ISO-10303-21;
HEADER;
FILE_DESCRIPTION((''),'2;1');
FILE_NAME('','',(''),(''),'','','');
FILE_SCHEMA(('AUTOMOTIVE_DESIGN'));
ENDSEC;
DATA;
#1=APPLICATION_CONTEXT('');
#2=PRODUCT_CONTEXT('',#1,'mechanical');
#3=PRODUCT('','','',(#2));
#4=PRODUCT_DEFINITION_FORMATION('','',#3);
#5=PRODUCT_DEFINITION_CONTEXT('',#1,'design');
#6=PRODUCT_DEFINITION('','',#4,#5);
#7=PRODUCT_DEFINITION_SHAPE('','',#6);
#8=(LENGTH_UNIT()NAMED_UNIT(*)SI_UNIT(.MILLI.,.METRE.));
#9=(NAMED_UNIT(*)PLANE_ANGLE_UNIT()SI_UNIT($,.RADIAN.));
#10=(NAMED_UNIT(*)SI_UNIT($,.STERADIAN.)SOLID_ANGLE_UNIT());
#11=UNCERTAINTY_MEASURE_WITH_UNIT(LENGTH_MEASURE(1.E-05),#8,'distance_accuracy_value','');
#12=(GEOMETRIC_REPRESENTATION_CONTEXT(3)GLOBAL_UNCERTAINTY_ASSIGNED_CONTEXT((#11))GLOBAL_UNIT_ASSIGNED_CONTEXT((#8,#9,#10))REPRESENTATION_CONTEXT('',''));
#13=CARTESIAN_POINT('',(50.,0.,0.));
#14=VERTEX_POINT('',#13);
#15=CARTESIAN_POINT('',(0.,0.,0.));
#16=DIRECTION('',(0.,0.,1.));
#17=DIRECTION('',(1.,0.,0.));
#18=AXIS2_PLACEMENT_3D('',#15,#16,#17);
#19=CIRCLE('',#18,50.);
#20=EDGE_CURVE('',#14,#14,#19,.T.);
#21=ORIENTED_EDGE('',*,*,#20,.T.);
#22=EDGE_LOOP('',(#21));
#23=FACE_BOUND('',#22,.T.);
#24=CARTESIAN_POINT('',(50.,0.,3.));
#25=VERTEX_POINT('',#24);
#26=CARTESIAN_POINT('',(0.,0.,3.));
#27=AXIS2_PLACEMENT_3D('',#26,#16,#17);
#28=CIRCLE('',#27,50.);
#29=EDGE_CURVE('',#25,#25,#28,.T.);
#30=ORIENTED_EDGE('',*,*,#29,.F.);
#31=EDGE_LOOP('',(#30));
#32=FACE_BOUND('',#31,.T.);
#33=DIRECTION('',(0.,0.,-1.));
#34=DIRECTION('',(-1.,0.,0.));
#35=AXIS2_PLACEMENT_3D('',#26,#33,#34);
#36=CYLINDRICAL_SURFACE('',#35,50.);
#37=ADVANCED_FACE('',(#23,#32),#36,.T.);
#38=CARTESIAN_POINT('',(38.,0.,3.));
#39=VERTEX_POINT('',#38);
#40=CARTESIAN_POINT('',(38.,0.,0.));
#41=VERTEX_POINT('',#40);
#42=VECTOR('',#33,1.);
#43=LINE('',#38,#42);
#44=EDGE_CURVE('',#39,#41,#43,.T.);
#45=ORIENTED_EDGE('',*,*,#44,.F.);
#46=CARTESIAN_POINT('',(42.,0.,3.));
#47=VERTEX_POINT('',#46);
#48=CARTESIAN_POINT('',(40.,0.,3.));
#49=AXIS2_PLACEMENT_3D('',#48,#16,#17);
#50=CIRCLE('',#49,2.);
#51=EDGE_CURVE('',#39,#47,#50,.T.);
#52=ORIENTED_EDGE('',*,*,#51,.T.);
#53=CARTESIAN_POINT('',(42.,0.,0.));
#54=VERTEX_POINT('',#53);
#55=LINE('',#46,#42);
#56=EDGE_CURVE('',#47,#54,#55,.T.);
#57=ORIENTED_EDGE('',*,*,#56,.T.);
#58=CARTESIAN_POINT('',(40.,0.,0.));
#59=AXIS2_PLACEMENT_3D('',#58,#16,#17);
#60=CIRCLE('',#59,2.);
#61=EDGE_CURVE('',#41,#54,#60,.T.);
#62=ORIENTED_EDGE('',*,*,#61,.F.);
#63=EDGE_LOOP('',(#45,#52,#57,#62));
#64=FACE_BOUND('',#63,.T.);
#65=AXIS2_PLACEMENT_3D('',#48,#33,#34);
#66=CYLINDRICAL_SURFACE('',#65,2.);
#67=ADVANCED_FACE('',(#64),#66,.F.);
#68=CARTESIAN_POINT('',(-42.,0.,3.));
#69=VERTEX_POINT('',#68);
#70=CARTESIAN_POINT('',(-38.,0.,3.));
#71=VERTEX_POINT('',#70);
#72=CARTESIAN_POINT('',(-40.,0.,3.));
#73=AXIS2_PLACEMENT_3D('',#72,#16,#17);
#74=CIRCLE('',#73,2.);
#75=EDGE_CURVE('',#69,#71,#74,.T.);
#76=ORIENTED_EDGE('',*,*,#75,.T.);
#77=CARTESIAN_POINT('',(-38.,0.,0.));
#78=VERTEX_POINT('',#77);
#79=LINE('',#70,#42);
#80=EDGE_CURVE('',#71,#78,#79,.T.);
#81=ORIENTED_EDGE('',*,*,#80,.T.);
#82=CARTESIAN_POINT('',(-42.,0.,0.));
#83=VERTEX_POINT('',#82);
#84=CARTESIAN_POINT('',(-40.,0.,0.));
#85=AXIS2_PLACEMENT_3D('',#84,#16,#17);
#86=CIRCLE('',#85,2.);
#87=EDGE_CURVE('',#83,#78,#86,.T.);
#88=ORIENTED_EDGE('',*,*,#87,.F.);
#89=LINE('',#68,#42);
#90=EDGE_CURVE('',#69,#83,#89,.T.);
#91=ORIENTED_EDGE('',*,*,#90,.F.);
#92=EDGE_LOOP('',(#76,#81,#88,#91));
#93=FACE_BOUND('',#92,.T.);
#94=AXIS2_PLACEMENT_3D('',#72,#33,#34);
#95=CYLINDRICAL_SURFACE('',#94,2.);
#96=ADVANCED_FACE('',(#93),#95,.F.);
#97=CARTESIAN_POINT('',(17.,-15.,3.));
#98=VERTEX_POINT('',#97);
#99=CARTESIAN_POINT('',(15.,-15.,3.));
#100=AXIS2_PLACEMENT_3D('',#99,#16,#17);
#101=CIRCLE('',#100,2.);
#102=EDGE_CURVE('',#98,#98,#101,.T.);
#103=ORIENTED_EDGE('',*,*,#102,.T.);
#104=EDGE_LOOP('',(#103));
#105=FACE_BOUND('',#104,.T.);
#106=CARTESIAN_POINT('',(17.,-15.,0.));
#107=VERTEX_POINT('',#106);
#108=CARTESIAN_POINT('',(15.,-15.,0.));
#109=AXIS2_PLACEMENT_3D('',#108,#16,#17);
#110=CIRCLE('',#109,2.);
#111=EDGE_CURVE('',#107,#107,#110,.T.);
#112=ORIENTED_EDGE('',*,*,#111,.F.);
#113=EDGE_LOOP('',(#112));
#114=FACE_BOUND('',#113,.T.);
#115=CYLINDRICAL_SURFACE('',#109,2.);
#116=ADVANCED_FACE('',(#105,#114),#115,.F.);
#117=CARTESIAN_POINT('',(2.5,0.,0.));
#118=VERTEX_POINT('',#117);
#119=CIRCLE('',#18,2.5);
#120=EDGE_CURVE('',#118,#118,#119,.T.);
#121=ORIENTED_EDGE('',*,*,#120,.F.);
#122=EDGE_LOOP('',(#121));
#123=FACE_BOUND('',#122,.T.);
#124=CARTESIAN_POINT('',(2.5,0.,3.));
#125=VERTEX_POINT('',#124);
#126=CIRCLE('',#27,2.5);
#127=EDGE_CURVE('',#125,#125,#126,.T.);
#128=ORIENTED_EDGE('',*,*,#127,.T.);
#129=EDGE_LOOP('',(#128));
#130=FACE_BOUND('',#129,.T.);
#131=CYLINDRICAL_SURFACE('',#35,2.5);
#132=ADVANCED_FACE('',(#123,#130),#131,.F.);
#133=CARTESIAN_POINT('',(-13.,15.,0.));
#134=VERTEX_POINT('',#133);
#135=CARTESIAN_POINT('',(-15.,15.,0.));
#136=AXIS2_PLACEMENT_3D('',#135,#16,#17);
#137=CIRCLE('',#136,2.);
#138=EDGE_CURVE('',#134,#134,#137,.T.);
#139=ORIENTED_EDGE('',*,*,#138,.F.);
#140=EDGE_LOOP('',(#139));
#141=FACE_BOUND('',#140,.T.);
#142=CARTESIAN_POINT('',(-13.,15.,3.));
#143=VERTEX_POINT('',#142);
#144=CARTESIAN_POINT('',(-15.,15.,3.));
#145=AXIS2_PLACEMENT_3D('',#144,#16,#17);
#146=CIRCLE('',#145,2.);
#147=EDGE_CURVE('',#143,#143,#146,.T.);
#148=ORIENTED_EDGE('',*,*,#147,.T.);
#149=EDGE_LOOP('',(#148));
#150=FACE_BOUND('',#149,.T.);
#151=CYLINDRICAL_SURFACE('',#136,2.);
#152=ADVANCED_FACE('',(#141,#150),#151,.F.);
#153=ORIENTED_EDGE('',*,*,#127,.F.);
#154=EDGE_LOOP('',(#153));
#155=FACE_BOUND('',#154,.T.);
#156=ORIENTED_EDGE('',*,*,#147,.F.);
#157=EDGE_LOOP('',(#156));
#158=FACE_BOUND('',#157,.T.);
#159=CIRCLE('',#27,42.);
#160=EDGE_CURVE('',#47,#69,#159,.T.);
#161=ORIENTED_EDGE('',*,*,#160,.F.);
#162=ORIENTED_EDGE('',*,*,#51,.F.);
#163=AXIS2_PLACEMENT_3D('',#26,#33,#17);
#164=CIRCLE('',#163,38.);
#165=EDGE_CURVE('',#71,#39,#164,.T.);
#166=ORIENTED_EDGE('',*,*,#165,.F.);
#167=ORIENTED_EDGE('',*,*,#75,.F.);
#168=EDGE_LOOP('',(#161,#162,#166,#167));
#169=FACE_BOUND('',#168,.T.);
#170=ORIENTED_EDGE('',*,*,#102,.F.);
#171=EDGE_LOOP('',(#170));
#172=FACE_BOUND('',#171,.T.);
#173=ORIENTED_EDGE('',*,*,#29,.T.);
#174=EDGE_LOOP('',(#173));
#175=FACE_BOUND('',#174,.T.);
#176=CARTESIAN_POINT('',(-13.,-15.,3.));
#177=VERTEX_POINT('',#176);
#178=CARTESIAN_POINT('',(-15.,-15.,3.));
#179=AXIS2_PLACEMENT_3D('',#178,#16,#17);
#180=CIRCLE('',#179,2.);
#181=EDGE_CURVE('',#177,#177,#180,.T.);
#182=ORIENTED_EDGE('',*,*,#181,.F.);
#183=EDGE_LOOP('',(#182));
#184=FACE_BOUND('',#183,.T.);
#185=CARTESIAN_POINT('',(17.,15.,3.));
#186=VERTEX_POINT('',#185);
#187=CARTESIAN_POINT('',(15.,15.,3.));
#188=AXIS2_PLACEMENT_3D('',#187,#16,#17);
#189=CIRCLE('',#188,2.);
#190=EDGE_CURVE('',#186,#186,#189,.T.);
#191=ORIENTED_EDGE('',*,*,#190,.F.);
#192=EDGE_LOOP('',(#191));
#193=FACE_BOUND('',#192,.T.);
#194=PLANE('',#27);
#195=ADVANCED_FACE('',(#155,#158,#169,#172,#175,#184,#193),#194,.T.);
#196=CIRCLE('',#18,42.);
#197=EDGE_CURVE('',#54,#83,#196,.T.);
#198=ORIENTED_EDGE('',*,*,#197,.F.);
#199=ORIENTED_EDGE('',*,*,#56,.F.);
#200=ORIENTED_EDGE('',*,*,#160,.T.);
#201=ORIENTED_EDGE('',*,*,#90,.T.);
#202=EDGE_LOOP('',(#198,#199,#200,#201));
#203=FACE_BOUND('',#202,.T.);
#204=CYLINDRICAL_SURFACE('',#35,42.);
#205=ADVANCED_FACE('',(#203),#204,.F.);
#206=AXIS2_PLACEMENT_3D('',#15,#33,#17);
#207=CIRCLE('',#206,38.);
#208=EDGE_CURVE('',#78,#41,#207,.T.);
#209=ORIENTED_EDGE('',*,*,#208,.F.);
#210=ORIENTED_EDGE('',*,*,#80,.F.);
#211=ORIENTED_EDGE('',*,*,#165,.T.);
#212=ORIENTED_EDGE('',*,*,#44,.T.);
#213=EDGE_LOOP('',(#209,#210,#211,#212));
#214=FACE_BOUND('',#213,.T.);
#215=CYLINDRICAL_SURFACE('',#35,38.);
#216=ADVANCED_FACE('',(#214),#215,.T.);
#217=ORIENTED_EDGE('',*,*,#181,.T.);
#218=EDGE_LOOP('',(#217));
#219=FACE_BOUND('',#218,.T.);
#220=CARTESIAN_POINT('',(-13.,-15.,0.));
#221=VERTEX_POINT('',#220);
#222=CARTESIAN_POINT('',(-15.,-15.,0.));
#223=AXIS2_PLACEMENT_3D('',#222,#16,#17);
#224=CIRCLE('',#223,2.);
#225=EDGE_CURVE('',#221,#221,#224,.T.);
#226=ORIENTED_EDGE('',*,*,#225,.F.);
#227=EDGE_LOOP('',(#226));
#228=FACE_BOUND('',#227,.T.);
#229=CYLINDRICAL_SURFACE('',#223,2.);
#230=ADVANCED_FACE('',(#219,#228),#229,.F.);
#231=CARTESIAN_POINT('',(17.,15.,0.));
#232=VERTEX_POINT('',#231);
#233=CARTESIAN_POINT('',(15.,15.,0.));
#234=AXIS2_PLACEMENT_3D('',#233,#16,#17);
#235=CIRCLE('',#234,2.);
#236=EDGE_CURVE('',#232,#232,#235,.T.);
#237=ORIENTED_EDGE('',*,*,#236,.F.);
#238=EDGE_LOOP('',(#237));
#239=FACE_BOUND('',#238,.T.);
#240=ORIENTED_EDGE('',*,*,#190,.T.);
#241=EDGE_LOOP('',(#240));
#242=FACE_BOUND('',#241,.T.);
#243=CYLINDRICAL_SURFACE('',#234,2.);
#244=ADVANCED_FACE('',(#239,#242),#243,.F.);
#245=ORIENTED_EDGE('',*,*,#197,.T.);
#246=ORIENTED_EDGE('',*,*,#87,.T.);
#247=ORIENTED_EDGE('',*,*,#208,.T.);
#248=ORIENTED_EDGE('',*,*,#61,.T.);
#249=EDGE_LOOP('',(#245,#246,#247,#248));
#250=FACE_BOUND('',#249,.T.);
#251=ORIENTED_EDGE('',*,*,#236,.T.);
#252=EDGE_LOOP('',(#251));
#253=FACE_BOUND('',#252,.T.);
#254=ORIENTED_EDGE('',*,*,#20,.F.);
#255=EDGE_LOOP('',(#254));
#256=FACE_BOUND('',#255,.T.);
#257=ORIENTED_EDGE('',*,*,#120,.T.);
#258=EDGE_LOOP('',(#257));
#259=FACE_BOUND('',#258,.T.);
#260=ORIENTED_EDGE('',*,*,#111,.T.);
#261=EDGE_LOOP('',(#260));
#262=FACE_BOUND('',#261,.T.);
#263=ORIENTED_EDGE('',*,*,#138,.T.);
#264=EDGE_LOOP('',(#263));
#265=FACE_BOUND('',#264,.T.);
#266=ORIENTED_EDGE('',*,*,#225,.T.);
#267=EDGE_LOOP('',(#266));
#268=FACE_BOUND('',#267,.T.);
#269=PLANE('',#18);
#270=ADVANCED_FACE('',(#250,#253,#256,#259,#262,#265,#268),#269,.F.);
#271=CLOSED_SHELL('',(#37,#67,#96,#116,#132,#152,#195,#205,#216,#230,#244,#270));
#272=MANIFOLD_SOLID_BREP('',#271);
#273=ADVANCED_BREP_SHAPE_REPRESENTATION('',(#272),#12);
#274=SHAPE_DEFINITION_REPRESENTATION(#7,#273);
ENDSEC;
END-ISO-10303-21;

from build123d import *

# Parameters (mm, degrees)
SKETCH1_R           = 50
SKETCH1_R_2         = 2.5
BOSS_EXTRUDE1_DEPTH = 3
SKETCH2_R           = 2
CUT_EXTRUDE1_DEPTH  = 4


with BuildPart() as part:
    # Sketch1 → Boss-Extrude1 (new body)
    with BuildSketch(Plane.XY):
        Circle(SKETCH1_R)
        Circle(SKETCH1_R_2, mode=Mode.SUBTRACT)
        with BuildLine():
            ThreePointArc((42, 0), (0, 42), (-42, 0))
            ThreePointArc((-42, 0), (-40, -2), (-38, 0))
            ThreePointArc((-38, 0), (0, 38), (38, 0))
            ThreePointArc((38, 0), (40, -2), (42, 0))
        make_face(mode=Mode.SUBTRACT)
    extrude(amount=BOSS_EXTRUDE1_DEPTH)

    # Sketch2 → Cut-Extrude1 (cut, through all)
    with BuildSketch(Plane.XY.offset(3)):
        with Locations((-15, 15)):
            Circle(SKETCH2_R)
        with Locations((15, 15)):
            Circle(SKETCH2_R)
        with Locations((15, -15)):
            Circle(SKETCH2_R)
        with Locations((-15, -15)):
            Circle(SKETCH2_R)
    extrude(amount=-CUT_EXTRUDE1_DEPTH, mode=Mode.SUBTRACT)


solid = part.part
